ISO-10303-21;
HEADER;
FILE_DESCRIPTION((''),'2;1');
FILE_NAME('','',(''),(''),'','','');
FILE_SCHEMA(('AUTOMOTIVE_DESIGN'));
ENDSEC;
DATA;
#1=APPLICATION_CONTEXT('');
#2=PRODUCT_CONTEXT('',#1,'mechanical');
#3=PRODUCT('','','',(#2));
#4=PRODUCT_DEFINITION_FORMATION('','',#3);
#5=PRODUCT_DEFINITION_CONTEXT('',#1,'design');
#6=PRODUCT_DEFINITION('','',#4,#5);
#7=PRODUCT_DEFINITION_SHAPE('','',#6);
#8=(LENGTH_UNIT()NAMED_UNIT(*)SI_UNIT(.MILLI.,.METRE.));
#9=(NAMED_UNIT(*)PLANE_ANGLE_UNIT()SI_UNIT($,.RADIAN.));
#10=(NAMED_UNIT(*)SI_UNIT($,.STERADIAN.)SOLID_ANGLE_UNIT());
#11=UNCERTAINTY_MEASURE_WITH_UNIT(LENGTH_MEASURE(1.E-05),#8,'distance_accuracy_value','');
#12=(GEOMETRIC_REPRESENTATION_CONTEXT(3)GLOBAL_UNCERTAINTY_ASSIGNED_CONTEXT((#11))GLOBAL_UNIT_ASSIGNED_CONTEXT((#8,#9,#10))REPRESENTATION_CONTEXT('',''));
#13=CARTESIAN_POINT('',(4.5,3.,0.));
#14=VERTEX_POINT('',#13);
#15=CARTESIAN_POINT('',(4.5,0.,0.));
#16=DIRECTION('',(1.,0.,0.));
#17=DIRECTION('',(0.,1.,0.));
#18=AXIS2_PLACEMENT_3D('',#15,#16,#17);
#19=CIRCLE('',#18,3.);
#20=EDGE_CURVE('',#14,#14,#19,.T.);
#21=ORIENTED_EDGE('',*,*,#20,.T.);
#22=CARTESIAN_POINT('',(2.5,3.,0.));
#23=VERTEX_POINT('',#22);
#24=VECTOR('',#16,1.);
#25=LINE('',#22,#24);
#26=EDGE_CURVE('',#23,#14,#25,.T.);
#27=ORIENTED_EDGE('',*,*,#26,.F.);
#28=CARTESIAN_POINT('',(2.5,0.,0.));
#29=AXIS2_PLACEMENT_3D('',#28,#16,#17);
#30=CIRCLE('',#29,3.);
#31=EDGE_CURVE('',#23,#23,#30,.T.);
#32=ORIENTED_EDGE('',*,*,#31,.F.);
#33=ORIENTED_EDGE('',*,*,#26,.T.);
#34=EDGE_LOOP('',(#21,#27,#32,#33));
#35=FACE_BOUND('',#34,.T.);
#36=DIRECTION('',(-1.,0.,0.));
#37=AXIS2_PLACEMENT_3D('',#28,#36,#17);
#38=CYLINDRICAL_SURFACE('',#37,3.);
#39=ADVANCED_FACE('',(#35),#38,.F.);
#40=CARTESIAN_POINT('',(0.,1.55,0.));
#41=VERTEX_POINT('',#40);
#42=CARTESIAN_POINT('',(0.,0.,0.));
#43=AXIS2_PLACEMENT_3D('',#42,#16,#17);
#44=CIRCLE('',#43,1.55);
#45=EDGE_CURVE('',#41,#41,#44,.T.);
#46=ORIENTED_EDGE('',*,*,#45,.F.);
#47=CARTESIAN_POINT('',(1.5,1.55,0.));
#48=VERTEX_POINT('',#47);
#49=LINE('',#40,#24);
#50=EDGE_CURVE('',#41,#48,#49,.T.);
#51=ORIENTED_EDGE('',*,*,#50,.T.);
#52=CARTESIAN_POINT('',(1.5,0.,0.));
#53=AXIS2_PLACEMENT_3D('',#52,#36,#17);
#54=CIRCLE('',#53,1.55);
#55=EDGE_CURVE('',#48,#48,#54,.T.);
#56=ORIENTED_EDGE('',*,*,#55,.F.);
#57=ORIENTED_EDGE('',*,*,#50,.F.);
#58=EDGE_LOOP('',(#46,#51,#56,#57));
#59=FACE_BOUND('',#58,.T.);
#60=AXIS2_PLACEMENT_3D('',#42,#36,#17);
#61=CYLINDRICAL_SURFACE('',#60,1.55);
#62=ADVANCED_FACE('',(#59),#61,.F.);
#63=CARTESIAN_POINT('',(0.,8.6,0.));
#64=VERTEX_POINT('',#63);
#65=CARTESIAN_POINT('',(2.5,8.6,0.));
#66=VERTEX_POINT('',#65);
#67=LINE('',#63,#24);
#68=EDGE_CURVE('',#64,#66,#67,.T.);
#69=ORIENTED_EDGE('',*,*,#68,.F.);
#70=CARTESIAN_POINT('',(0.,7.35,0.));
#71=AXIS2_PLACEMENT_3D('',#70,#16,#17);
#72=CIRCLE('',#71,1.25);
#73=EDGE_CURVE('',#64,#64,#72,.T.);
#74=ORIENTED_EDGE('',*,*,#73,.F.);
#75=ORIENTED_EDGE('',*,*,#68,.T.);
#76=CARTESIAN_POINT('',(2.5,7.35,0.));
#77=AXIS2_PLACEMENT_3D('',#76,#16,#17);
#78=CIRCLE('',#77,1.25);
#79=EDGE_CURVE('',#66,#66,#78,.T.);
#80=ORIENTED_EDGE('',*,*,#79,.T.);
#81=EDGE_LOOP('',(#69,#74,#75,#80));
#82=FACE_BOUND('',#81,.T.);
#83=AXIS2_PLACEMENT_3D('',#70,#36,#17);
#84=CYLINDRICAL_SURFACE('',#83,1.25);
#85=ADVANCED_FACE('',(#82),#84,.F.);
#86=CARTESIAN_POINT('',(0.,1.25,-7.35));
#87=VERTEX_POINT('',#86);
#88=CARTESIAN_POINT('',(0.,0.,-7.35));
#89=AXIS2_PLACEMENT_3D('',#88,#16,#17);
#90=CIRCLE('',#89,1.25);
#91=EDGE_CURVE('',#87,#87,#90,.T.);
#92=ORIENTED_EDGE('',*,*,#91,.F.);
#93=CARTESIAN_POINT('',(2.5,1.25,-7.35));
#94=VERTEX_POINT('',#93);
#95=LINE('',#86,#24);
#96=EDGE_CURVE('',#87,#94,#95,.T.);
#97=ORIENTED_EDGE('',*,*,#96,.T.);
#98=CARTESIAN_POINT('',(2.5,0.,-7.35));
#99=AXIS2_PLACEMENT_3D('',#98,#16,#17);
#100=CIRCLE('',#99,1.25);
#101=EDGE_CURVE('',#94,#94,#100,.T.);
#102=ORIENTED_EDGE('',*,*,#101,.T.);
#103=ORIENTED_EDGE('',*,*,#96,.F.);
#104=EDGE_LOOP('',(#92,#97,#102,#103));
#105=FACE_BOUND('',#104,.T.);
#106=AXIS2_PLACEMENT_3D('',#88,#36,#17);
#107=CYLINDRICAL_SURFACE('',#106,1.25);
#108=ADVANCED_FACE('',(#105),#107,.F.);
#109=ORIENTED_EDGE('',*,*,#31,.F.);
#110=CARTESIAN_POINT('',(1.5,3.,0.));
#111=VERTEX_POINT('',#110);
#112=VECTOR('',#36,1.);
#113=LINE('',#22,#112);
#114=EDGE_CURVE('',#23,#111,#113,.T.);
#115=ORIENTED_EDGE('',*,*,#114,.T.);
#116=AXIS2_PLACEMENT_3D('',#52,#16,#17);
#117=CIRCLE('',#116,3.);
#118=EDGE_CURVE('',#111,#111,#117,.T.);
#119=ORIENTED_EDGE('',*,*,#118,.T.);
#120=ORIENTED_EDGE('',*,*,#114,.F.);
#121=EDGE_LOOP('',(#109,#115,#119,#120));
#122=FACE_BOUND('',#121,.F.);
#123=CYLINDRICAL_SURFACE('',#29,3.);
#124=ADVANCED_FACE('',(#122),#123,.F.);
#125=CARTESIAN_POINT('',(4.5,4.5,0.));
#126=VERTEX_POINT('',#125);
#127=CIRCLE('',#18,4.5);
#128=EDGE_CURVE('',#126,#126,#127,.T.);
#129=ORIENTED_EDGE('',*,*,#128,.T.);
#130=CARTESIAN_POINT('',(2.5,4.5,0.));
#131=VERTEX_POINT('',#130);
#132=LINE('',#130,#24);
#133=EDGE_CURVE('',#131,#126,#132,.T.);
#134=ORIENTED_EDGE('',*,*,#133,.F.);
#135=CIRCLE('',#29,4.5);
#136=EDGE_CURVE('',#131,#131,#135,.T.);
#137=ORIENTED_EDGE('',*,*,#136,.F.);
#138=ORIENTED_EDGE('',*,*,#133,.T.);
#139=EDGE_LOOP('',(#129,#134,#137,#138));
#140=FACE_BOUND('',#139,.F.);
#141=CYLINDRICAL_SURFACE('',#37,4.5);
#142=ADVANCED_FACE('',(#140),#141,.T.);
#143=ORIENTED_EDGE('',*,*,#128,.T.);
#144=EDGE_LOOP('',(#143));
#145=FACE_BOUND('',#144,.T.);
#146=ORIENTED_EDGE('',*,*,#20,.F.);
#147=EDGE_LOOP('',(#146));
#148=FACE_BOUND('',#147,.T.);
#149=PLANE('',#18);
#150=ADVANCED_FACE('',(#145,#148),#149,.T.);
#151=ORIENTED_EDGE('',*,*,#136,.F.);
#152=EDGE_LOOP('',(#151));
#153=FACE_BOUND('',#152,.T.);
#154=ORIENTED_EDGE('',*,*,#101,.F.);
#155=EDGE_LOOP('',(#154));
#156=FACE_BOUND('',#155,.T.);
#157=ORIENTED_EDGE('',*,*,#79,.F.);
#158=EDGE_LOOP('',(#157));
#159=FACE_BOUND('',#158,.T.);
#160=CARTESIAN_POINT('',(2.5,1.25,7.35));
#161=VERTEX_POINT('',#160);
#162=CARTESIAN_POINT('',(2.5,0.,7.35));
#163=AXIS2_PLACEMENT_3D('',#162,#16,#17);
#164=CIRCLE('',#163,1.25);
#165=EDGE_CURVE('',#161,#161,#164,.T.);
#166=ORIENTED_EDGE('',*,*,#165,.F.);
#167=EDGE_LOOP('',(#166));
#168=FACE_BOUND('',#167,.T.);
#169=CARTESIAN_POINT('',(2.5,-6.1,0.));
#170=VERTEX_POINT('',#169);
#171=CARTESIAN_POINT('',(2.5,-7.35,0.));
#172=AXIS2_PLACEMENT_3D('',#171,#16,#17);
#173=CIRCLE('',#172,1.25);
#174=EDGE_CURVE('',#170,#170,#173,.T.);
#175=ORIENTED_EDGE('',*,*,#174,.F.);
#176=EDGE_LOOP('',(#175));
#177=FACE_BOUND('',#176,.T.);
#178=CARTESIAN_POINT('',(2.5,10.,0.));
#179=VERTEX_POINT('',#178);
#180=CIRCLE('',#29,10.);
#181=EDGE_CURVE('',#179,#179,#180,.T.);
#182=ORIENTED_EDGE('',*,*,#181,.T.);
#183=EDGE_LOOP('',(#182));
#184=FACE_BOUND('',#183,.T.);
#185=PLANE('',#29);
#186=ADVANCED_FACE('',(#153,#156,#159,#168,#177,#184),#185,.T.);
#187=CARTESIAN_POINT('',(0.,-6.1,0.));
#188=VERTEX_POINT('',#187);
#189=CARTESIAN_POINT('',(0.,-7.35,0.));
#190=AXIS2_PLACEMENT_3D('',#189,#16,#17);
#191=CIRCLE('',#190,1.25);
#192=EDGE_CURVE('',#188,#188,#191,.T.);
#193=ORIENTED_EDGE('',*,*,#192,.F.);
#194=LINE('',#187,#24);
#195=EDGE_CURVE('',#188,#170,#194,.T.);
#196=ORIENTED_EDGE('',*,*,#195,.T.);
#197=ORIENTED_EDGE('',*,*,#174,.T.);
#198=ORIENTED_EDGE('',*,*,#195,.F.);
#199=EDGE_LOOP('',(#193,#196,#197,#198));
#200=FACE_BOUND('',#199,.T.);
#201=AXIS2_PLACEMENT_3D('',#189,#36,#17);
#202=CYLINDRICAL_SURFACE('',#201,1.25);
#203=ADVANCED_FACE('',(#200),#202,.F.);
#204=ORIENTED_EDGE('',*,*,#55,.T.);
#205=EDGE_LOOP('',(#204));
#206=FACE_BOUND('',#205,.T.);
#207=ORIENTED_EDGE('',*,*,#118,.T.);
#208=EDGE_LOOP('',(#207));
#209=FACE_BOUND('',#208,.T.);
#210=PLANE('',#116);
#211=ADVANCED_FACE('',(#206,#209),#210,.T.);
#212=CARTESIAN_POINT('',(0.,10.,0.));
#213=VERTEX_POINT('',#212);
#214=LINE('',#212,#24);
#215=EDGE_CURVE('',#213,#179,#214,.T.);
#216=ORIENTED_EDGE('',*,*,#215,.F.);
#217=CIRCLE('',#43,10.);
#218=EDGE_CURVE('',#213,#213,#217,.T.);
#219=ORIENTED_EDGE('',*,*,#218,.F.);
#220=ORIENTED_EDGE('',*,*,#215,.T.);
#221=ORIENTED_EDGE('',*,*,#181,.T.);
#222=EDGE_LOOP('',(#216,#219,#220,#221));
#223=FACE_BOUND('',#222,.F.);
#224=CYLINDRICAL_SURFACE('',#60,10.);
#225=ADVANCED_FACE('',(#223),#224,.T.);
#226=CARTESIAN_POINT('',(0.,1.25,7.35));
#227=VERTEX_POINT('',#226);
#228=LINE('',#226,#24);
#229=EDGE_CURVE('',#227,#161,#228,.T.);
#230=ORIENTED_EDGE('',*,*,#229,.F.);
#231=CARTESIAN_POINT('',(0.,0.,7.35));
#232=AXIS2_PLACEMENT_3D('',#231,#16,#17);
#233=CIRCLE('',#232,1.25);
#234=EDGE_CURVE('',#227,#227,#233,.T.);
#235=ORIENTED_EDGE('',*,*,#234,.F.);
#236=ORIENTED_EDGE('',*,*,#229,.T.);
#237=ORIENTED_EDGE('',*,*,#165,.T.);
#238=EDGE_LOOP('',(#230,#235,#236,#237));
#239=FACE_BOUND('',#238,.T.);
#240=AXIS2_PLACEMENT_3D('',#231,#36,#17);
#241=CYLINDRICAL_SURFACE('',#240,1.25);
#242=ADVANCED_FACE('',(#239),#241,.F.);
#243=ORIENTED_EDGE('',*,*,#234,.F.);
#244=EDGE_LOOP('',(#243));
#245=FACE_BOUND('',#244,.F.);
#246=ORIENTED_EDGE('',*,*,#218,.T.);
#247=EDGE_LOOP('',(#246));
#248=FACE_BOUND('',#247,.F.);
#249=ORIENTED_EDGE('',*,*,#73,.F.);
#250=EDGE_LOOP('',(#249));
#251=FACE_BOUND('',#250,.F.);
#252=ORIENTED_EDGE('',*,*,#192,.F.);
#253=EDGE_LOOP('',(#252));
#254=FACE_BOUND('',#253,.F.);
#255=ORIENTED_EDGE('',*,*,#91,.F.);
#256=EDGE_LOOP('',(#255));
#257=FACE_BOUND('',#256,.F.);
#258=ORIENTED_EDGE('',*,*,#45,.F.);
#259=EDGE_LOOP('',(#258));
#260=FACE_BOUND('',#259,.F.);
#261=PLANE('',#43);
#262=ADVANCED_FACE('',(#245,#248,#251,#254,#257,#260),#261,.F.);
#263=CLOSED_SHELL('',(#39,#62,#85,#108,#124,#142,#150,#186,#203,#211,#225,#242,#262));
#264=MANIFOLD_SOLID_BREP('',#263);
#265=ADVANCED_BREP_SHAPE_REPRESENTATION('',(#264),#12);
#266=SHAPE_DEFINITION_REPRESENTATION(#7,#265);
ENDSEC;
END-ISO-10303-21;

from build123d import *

# Parameters (mm, degrees)
SKETCH002_R   = 10
SKETCH002_R_2 = 1.55
SKETCH002_R_3 = 1.25
PAD002_DEPTH  = 2.5
SKETCH003_R   = 4.5
SKETCH003_R_2 = 3
PAD003_DEPTH  = 2
SKETCH004_R   = 3
POCKET_DEPTH  = 1


with BuildPart() as part:
    # Sketch002 → Pad002 (new body)
    with BuildSketch(Plane.YZ):
        Circle(SKETCH002_R)
        Circle(SKETCH002_R_2, mode=Mode.SUBTRACT)
        with Locations((-7.35, 0)):
            Circle(SKETCH002_R_3, mode=Mode.SUBTRACT)
        with Locations((0, -7.35)):
            Circle(SKETCH002_R_3, mode=Mode.SUBTRACT)
        with Locations((7.35, 0)):
            Circle(SKETCH002_R_3, mode=Mode.SUBTRACT)
        with Locations((0, 7.35)):
            Circle(SKETCH002_R_3, mode=Mode.SUBTRACT)
    extrude(amount=PAD002_DEPTH)

    # Sketch003 (on Face8 of Pad002) → Pad003 (join)
    with BuildSketch(Plane.YZ.offset(2.5)):
        Circle(SKETCH003_R)
        Circle(SKETCH003_R_2, mode=Mode.SUBTRACT)
    extrude(amount=PAD003_DEPTH)

    # Sketch004 (on Face10 of Pad003) → Pocket (cut)
    with BuildSketch(Plane.YZ.offset(2.5)):
        Circle(SKETCH004_R)
    extrude(amount=-POCKET_DEPTH, mode=Mode.SUBTRACT)


solid = part.part
